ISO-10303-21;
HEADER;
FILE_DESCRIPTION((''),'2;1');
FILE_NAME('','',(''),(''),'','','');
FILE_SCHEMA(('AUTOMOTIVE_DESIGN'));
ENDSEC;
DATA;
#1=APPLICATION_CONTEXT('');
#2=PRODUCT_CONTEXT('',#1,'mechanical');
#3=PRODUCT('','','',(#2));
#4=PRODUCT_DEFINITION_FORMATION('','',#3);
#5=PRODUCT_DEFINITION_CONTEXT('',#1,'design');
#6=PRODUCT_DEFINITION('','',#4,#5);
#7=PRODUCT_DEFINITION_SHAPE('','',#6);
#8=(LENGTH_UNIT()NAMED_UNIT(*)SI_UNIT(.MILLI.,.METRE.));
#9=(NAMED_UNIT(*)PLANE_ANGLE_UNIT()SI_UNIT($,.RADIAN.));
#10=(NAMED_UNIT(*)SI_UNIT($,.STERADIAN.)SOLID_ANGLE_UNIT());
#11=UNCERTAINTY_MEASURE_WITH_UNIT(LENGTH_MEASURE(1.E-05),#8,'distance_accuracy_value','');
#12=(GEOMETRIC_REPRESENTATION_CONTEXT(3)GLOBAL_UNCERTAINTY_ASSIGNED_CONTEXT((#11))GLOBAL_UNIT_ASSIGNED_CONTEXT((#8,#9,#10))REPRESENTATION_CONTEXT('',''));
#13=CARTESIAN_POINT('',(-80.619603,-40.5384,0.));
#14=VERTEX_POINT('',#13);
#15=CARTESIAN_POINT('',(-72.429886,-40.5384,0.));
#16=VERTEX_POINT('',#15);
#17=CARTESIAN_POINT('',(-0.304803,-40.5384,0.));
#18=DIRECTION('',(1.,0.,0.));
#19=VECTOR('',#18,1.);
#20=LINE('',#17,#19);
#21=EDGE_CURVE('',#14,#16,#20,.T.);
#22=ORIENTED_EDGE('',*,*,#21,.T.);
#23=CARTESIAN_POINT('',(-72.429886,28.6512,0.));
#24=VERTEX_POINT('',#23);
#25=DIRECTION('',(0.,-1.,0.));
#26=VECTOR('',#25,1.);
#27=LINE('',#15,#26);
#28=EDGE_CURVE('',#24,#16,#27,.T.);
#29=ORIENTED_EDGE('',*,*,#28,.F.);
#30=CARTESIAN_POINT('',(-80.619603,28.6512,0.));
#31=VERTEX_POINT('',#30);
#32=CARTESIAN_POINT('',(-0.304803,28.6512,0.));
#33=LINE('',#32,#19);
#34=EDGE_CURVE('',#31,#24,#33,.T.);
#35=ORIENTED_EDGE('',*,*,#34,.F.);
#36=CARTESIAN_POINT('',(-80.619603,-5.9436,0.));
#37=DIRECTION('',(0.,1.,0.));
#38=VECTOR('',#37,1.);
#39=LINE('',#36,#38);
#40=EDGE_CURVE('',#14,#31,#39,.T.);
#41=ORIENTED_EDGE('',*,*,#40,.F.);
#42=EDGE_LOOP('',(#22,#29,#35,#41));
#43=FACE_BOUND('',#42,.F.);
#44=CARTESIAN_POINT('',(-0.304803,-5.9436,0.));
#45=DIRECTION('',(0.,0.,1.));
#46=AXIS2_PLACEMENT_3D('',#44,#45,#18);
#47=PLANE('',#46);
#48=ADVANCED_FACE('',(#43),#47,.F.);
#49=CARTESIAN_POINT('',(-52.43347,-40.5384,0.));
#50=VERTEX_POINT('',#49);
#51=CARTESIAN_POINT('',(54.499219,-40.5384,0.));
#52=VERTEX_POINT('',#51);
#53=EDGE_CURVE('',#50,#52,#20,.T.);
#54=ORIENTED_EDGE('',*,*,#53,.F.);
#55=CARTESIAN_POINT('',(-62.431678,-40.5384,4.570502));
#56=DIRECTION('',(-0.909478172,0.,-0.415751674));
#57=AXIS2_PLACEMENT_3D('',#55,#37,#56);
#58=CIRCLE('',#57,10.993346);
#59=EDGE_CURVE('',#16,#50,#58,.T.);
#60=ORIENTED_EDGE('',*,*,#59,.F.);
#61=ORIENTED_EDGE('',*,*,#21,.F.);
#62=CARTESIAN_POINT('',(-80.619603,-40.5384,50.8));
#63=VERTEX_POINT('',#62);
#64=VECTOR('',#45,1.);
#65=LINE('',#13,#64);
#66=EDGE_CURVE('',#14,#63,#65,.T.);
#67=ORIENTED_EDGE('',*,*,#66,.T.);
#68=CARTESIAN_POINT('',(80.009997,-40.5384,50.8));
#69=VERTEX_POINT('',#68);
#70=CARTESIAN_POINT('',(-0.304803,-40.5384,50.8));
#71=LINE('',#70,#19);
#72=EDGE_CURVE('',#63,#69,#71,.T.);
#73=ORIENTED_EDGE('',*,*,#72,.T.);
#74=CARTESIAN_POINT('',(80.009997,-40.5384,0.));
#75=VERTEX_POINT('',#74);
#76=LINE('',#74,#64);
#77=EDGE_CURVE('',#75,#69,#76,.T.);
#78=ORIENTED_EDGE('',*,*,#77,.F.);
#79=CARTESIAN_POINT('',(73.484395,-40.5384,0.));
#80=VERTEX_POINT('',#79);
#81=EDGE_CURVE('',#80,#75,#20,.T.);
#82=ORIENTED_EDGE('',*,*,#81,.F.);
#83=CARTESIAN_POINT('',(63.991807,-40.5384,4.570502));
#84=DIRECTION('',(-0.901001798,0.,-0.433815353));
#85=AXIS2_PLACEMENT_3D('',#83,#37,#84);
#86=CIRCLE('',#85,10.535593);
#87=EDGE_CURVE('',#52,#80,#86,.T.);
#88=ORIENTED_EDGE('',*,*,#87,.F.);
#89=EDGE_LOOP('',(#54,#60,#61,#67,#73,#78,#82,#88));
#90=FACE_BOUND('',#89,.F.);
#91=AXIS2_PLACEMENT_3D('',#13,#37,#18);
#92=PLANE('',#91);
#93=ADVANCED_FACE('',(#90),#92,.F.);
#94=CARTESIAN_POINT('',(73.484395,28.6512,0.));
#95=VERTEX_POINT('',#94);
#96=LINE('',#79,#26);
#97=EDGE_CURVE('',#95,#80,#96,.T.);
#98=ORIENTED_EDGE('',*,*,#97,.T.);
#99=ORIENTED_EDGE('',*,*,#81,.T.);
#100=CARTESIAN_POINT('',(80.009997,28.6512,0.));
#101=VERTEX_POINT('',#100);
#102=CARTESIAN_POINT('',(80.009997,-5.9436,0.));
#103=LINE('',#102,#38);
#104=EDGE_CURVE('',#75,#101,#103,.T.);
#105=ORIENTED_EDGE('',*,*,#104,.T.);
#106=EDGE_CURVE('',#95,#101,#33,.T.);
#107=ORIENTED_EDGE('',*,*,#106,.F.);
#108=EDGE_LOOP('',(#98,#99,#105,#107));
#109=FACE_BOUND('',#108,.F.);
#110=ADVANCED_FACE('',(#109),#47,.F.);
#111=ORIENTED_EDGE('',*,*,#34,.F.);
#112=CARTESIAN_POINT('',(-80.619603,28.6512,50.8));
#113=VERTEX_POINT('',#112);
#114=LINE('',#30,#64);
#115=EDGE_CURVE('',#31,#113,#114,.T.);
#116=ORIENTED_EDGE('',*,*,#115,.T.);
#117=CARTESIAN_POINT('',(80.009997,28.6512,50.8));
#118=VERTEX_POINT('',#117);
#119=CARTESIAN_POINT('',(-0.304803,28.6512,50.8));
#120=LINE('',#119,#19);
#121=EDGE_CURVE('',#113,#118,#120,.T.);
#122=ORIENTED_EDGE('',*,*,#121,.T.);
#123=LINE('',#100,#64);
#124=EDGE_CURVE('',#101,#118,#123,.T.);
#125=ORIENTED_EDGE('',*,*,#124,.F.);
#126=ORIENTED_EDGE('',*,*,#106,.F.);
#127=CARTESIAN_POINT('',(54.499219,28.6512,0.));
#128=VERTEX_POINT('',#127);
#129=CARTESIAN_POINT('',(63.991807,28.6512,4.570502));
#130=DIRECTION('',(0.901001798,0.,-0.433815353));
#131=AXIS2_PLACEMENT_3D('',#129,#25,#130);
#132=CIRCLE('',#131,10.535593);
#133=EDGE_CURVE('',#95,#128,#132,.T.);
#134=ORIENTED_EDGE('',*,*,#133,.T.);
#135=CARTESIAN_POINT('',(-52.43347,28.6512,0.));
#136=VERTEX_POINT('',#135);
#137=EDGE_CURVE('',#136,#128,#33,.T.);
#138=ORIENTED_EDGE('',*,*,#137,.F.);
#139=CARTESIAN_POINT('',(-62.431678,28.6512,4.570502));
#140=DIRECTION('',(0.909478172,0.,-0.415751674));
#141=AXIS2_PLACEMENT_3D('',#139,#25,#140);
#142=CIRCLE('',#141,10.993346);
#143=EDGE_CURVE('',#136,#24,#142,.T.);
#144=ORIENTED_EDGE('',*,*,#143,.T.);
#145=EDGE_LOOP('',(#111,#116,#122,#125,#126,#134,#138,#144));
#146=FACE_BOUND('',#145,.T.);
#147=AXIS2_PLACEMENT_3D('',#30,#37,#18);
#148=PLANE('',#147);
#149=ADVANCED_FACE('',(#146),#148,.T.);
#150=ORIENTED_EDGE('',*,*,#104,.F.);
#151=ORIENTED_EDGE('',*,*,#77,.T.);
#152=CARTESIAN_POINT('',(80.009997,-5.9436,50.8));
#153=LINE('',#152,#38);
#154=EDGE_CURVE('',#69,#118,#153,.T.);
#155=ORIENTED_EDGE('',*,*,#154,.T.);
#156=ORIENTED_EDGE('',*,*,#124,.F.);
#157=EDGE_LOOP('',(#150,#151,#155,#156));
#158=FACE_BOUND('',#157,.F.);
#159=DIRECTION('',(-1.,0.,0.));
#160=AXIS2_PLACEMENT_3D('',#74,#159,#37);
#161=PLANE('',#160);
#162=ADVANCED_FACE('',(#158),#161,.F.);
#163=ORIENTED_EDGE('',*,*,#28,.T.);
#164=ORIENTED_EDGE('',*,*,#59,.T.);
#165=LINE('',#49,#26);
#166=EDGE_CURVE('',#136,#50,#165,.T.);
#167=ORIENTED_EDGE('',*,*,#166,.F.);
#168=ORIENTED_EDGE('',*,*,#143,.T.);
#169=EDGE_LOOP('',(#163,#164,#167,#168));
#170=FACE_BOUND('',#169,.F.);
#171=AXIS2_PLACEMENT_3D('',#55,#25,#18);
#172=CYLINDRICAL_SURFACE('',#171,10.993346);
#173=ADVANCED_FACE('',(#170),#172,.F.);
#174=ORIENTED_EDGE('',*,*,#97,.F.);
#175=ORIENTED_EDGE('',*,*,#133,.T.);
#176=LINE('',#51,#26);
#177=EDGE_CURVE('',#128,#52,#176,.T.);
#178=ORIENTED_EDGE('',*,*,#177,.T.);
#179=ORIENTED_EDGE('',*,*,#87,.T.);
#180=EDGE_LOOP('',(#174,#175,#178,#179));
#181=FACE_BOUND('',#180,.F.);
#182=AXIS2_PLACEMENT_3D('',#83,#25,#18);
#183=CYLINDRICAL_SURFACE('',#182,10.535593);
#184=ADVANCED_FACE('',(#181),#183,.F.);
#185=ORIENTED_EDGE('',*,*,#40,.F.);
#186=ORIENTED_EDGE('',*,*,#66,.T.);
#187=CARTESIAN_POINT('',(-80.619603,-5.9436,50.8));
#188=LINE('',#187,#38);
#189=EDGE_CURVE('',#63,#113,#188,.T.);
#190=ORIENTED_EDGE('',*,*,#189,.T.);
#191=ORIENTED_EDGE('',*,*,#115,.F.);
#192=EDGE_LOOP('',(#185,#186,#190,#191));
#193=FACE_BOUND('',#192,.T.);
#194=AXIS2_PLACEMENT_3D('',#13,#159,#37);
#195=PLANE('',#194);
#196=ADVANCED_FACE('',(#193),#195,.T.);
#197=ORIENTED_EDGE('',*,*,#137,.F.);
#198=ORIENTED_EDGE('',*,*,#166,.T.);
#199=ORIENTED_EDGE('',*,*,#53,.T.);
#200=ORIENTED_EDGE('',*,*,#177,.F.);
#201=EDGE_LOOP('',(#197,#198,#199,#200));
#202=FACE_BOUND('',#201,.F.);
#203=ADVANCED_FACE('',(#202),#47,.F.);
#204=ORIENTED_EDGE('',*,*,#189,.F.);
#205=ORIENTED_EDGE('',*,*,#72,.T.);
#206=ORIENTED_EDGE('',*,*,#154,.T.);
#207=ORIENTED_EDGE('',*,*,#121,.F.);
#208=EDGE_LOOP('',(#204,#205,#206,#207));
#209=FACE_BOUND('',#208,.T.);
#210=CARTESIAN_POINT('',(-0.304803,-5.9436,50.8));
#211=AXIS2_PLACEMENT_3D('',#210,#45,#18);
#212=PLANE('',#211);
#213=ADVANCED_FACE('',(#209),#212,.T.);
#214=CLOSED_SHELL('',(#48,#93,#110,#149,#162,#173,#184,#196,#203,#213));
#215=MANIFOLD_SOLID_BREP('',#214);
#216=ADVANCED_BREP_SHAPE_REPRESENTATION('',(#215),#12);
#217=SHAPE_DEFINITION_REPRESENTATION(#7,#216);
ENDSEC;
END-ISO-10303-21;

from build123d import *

# Parameters (mm, degrees)
F0_W     = 160.6296
F0_H     = 69.1896
F1_DEPTH = 50.8
F2_R     = 10.993346
F2_R_2   = 10.535593
F3_DEPTH = 127


with BuildPart() as f1:
    # F0 (on Top) → F1 (new body)
    with BuildSketch(Plane.XY):
        with Locations((-0.304803, -5.9436)):
            Rectangle(F0_W, F0_H)
    extrude(amount=F1_DEPTH)

    # F2 (on face) → F3 (cut)
    with BuildSketch(Plane.XZ.offset(40.5384)):
        with Locations((-62.431678, 4.570502)):
            Circle(F2_R)
        with Locations((63.991807, 4.570502)):
            Circle(F2_R_2)
    extrude(amount=-F3_DEPTH, mode=Mode.SUBTRACT)


solid = f1.part
